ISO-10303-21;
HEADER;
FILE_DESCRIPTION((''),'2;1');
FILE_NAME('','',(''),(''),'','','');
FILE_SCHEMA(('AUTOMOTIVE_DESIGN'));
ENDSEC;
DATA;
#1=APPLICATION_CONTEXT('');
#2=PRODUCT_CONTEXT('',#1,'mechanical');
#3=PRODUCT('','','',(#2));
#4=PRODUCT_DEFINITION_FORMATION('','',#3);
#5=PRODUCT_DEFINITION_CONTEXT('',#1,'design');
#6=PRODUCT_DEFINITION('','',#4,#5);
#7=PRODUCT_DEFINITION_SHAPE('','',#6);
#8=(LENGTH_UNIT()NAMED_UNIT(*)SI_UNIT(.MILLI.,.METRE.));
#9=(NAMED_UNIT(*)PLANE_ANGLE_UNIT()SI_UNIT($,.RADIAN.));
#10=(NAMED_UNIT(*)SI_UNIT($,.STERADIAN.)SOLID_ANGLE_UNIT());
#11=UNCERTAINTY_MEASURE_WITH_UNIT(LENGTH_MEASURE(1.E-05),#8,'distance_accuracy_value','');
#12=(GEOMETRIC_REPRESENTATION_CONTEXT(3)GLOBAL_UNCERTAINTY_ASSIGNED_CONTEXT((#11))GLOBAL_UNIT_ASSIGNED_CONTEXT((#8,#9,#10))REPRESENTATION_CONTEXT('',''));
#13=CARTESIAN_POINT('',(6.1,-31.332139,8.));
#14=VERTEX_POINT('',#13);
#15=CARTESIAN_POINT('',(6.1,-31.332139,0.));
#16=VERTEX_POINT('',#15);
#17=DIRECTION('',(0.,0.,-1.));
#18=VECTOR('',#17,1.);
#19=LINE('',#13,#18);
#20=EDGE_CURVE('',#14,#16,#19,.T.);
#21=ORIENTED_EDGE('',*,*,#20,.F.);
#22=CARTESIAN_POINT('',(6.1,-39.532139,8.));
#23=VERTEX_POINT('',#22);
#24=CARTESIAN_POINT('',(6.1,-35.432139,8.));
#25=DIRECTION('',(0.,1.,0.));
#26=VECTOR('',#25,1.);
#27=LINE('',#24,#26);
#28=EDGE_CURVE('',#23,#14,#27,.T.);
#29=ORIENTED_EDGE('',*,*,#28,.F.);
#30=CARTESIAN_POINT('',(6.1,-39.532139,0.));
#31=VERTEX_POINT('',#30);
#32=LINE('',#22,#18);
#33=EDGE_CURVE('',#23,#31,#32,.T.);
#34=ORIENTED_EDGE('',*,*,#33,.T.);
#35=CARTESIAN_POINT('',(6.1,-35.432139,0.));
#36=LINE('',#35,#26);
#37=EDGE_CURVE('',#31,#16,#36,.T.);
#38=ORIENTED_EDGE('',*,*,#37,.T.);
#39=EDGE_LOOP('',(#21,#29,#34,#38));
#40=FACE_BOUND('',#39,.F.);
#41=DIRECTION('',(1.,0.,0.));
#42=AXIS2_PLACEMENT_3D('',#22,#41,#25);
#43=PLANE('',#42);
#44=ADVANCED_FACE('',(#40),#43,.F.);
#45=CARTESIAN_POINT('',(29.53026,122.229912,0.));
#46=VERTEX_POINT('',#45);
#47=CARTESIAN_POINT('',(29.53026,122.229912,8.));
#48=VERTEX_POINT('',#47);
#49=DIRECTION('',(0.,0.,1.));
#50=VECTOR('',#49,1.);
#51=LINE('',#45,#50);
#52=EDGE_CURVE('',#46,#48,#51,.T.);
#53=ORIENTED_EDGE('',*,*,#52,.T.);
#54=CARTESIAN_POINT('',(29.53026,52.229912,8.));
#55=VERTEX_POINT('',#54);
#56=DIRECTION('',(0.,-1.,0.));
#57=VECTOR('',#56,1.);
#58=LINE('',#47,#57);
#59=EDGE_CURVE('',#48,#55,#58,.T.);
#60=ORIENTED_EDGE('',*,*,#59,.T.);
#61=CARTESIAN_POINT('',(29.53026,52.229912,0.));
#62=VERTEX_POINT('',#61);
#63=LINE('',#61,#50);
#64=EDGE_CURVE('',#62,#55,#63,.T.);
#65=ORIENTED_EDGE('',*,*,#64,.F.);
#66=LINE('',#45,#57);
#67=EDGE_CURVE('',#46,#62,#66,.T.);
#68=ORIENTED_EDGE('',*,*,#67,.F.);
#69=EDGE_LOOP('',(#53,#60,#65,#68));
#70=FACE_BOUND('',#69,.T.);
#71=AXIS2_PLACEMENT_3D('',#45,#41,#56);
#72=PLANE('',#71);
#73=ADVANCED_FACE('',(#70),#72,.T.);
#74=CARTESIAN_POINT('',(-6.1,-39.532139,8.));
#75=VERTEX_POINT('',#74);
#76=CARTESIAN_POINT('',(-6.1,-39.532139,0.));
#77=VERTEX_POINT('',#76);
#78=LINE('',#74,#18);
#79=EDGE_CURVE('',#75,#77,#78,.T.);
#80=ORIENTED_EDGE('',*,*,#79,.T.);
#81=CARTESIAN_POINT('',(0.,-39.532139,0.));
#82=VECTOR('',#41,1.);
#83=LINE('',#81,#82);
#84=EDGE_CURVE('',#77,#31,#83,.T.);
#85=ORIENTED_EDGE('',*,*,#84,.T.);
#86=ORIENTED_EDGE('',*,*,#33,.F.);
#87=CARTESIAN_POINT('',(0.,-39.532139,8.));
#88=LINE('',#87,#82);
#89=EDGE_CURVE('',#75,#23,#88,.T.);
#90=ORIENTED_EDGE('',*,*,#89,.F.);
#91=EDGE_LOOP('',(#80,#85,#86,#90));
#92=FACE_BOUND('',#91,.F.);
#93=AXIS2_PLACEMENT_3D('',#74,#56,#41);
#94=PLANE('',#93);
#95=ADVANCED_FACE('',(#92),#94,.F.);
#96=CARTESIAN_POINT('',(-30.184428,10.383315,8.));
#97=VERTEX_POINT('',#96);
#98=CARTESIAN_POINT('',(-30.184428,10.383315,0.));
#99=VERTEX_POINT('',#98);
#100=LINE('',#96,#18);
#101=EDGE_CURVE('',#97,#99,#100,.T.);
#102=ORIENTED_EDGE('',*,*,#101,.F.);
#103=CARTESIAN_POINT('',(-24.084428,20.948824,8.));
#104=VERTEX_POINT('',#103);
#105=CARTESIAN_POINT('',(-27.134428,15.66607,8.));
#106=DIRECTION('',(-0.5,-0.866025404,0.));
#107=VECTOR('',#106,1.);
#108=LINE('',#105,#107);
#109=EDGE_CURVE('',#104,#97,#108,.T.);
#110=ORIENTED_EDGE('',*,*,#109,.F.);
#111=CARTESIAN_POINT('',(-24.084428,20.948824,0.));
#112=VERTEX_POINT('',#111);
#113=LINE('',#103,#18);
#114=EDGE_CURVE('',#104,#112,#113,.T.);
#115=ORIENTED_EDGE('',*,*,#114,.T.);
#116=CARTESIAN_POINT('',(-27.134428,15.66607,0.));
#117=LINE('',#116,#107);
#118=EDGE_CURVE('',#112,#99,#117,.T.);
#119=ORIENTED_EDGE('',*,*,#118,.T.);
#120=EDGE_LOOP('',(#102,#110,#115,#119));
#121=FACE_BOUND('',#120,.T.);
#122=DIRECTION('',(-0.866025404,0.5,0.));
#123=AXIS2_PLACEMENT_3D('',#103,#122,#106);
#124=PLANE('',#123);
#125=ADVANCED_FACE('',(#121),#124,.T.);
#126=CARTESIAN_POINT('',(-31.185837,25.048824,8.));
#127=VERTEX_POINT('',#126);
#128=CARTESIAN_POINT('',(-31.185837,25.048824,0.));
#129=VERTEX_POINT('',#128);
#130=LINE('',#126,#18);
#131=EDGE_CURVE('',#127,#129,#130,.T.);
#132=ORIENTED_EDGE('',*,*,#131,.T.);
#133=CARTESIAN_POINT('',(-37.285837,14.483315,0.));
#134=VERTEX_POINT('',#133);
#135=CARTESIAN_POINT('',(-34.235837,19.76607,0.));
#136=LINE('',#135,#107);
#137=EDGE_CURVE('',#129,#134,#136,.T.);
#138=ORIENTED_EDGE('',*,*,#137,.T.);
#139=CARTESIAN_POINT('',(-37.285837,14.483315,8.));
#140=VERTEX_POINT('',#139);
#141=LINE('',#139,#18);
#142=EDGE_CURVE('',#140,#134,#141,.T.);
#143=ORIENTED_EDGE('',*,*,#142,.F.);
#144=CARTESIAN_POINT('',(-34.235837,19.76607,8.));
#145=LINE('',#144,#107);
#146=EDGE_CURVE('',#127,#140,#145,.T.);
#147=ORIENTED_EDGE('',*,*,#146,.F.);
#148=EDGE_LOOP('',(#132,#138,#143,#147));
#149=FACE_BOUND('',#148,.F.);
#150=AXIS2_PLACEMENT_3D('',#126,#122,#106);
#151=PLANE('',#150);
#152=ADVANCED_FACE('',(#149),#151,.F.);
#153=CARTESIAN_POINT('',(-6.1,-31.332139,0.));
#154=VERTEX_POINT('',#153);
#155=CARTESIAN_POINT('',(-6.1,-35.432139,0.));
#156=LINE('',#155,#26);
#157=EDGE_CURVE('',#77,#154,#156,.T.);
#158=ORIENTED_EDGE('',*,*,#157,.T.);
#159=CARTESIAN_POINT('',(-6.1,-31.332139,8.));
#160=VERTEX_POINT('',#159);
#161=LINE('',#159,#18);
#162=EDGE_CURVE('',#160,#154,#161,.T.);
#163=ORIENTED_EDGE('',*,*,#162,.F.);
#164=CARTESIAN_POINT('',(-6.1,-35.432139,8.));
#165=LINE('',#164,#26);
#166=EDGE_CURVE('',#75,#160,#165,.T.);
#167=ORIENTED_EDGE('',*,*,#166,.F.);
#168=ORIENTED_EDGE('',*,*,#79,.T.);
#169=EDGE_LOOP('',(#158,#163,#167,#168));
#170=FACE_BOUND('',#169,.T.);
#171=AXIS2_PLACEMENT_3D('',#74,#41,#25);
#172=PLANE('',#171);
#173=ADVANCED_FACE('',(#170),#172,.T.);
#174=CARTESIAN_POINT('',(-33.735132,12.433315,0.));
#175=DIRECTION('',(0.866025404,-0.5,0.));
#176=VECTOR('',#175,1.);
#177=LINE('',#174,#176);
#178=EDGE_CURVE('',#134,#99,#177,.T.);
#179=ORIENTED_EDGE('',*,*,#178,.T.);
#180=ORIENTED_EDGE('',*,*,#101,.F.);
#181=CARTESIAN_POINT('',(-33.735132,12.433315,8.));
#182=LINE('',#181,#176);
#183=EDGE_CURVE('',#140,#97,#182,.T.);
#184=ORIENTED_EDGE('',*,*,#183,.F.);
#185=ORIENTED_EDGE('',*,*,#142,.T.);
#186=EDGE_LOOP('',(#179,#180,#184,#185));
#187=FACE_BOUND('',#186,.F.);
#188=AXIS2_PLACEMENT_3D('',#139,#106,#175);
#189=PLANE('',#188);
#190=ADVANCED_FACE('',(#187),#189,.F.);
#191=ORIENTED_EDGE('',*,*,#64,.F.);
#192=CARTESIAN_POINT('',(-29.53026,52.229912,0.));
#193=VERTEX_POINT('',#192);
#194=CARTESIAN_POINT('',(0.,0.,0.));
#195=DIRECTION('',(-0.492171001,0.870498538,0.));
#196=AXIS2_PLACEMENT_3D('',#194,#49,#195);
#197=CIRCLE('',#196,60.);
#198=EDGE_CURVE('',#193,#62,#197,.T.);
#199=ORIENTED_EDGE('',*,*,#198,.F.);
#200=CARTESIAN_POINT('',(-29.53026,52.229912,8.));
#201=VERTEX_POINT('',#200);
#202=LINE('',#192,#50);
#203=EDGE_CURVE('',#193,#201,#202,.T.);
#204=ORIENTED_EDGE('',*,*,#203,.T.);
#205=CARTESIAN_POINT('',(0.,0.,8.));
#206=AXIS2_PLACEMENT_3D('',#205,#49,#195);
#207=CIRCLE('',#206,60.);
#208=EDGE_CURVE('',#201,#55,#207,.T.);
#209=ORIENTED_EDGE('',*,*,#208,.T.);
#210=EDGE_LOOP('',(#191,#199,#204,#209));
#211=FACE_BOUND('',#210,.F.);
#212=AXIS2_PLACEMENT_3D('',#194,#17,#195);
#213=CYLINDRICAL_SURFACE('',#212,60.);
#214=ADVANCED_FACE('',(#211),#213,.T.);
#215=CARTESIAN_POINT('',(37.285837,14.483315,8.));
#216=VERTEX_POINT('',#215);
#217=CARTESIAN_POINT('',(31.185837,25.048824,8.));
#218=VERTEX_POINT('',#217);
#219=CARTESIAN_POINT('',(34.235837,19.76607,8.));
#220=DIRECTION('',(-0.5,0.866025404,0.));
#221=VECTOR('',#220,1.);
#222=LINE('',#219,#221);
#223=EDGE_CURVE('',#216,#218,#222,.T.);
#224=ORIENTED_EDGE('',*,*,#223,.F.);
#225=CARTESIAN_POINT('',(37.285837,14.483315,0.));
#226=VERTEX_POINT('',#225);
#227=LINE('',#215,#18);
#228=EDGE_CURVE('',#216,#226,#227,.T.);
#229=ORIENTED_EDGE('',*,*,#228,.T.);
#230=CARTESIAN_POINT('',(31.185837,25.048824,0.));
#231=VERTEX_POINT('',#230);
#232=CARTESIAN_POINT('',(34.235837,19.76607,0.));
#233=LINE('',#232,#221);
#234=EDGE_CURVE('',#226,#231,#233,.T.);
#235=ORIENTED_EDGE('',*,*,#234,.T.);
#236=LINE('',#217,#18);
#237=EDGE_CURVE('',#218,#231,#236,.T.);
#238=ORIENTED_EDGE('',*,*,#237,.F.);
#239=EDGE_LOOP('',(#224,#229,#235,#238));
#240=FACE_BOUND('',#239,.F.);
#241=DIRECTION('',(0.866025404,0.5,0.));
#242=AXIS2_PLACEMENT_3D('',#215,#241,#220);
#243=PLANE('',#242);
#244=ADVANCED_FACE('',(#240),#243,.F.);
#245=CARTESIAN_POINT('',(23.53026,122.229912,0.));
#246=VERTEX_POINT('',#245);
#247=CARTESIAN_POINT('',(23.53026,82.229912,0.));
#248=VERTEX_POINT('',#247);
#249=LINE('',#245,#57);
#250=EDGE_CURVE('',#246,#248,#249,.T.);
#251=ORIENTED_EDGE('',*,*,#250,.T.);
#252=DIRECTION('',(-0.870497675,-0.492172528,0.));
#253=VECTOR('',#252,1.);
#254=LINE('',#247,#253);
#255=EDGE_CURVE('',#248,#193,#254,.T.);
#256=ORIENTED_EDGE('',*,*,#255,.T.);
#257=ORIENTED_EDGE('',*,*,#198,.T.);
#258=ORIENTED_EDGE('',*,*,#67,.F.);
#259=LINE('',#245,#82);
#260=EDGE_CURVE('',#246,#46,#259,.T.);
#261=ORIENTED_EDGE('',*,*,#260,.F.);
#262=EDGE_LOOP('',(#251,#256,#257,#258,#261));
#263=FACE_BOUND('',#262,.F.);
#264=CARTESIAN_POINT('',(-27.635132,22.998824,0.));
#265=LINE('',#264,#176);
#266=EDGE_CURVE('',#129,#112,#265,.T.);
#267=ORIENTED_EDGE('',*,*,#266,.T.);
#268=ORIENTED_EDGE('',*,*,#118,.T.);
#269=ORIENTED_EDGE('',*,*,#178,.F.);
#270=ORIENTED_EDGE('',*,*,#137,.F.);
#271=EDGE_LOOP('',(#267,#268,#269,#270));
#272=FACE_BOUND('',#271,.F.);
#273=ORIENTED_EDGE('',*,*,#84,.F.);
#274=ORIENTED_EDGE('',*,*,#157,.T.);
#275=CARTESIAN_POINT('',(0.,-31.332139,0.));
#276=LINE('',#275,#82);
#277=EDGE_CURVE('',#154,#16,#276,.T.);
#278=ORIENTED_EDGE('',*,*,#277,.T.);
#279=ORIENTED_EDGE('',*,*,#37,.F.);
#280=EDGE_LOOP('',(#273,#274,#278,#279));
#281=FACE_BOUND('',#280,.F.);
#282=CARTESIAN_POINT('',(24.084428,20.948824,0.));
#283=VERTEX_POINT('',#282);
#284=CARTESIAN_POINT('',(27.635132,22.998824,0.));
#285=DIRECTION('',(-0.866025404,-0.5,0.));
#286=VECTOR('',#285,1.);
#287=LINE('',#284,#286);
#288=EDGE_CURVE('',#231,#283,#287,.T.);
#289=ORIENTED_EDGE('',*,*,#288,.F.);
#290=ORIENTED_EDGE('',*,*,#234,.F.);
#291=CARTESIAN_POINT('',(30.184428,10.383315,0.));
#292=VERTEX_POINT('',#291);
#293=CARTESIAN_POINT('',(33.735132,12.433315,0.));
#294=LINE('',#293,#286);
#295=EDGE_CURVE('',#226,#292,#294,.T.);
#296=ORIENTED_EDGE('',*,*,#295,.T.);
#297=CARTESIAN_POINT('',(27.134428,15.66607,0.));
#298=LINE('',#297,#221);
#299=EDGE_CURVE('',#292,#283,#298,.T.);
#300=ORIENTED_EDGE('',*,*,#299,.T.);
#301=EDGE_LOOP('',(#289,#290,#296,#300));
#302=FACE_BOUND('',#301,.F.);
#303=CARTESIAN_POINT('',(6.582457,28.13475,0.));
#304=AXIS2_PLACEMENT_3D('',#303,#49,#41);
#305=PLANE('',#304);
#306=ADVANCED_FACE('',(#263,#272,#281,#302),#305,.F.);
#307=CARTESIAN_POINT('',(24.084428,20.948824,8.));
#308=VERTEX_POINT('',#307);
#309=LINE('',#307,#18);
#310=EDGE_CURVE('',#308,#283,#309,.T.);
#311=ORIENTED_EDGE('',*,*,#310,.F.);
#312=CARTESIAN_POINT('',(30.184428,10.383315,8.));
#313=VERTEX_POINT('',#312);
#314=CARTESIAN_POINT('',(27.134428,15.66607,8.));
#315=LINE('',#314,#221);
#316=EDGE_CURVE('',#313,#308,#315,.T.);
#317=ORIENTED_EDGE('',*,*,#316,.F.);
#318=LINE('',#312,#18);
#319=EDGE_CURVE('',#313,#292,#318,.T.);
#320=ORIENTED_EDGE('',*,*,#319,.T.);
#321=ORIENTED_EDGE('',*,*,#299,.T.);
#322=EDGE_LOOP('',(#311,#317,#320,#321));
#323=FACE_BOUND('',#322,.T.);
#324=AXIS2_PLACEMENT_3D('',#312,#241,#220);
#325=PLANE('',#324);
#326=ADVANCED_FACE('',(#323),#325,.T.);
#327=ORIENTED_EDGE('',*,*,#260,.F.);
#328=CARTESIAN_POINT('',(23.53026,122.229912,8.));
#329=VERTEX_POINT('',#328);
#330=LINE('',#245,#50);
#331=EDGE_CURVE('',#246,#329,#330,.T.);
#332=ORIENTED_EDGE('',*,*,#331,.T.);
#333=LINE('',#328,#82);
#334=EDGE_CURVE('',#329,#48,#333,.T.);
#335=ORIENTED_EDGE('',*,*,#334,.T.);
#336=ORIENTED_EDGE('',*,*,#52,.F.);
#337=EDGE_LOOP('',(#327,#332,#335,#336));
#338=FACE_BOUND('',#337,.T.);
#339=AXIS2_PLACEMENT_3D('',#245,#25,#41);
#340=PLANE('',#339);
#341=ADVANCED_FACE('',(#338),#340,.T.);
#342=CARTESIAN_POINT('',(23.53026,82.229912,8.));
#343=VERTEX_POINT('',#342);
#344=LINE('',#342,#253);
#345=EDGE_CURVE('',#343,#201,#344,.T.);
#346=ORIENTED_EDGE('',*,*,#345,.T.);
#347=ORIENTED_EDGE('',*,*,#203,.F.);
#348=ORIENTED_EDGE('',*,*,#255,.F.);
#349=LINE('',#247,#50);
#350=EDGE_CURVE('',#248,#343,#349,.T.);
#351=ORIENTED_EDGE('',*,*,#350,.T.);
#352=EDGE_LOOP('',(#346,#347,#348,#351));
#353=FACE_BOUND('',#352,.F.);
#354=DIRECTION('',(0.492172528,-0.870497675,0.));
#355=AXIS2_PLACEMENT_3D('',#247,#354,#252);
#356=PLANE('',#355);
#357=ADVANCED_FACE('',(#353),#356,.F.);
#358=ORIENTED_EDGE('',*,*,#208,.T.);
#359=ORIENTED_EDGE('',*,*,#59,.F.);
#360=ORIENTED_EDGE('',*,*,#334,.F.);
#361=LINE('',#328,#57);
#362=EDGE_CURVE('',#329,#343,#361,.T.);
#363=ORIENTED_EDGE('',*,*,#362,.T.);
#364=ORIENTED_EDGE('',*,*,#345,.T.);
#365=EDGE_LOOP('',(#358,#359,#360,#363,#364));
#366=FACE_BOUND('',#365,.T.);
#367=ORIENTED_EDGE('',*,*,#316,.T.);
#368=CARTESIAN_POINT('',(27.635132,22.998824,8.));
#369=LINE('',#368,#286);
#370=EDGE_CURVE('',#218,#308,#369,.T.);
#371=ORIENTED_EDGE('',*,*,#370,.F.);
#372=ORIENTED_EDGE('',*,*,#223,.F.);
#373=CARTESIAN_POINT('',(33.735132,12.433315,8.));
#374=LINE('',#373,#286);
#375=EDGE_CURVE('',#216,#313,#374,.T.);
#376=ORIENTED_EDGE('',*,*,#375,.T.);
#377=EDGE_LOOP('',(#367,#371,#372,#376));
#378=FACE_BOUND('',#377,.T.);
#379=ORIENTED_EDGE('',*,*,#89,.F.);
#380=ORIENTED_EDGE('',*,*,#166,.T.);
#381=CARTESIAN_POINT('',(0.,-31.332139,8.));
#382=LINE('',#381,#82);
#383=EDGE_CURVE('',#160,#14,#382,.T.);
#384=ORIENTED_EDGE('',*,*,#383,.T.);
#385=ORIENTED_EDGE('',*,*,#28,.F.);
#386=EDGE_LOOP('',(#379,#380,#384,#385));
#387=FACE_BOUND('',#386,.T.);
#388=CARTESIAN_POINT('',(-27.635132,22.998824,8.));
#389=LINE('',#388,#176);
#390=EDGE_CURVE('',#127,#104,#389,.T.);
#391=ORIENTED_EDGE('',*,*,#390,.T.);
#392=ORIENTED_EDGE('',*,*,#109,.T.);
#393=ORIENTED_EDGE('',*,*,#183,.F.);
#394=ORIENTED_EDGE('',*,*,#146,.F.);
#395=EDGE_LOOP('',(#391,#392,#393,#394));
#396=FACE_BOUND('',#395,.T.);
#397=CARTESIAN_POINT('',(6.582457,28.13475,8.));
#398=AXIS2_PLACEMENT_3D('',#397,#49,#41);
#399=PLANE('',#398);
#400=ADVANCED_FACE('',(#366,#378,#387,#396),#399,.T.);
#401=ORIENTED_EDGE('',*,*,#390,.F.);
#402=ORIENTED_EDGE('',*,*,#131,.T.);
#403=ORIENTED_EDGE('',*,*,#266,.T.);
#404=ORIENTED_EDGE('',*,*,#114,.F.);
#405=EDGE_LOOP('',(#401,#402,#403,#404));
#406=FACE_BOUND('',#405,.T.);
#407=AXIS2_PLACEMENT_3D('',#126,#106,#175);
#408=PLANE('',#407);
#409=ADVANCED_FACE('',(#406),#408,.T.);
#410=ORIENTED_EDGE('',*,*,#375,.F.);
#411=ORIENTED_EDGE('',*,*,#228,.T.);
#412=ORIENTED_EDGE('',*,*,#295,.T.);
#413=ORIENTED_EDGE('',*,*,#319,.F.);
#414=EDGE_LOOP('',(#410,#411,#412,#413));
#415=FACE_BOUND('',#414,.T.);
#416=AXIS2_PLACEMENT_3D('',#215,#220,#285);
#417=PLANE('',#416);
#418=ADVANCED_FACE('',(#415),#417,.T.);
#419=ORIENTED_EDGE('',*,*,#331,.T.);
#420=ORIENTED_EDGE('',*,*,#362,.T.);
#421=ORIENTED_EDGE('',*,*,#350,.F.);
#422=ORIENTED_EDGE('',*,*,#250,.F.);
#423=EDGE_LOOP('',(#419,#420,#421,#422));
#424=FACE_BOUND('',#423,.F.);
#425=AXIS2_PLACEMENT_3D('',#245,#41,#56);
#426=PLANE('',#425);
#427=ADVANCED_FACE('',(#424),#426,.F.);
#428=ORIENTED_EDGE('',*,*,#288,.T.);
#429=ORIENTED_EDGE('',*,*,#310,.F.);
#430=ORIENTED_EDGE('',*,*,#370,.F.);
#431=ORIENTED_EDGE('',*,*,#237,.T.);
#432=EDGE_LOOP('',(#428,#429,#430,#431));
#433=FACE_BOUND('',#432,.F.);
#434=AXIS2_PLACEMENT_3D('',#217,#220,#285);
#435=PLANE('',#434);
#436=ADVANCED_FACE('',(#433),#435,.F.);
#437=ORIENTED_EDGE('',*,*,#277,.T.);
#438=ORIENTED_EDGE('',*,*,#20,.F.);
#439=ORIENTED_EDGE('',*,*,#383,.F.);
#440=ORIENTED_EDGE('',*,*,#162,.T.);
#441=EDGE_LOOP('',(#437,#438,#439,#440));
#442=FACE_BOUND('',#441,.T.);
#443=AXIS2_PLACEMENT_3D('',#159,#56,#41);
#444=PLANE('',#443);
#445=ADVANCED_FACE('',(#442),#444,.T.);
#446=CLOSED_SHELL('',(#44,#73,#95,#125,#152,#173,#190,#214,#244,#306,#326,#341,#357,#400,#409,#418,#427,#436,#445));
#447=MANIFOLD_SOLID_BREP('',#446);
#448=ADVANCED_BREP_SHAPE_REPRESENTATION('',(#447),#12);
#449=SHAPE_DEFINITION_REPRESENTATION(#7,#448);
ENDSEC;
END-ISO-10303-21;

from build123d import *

# Parameters (mm, degrees)
PAD_DEPTH          = 8
SKETCH001_W        = 12.2
SKETCH001_H        = 8.2
POCKET_DEPTH       = 8
POLARPATTERN_COUNT = 3


with BuildPart() as part:
    # Sketch → Pad (new body)
    with BuildSketch(Plane.XY):
        with BuildLine():
            ThreePointArc((-29.53026, 52.229912), (0, -60), (29.53026, 52.229912))
            Line((29.53026, 122.229912), (29.53026, 52.229912))
            Line((23.53026, 122.229912), (29.53026, 122.229912))
            Line((23.53026, 122.229912), (23.53026, 82.229912))
            Line((23.53026, 82.229912), (-29.53026, 52.229912))
        make_face()
    extrude(amount=PAD_DEPTH)

    # Sketch001 → Pocket (cut)
    with BuildSketch(Plane.XY.offset(8)):
        with Locations((0, -35.432139)):
            Rectangle(SKETCH001_W, SKETCH001_H)
    pocket = extrude(amount=-POCKET_DEPTH, mode=Mode.SUBTRACT)

    # PolarPattern: Pocket ×3 about axis
    polarpattern_axis = Axis((0, 0, 8), (0, 0, 1))
    for i in range(1, POLARPATTERN_COUNT):
        add(pocket.rotate(polarpattern_axis, i * 360 / POLARPATTERN_COUNT), mode=Mode.SUBTRACT)


solid = part.part
